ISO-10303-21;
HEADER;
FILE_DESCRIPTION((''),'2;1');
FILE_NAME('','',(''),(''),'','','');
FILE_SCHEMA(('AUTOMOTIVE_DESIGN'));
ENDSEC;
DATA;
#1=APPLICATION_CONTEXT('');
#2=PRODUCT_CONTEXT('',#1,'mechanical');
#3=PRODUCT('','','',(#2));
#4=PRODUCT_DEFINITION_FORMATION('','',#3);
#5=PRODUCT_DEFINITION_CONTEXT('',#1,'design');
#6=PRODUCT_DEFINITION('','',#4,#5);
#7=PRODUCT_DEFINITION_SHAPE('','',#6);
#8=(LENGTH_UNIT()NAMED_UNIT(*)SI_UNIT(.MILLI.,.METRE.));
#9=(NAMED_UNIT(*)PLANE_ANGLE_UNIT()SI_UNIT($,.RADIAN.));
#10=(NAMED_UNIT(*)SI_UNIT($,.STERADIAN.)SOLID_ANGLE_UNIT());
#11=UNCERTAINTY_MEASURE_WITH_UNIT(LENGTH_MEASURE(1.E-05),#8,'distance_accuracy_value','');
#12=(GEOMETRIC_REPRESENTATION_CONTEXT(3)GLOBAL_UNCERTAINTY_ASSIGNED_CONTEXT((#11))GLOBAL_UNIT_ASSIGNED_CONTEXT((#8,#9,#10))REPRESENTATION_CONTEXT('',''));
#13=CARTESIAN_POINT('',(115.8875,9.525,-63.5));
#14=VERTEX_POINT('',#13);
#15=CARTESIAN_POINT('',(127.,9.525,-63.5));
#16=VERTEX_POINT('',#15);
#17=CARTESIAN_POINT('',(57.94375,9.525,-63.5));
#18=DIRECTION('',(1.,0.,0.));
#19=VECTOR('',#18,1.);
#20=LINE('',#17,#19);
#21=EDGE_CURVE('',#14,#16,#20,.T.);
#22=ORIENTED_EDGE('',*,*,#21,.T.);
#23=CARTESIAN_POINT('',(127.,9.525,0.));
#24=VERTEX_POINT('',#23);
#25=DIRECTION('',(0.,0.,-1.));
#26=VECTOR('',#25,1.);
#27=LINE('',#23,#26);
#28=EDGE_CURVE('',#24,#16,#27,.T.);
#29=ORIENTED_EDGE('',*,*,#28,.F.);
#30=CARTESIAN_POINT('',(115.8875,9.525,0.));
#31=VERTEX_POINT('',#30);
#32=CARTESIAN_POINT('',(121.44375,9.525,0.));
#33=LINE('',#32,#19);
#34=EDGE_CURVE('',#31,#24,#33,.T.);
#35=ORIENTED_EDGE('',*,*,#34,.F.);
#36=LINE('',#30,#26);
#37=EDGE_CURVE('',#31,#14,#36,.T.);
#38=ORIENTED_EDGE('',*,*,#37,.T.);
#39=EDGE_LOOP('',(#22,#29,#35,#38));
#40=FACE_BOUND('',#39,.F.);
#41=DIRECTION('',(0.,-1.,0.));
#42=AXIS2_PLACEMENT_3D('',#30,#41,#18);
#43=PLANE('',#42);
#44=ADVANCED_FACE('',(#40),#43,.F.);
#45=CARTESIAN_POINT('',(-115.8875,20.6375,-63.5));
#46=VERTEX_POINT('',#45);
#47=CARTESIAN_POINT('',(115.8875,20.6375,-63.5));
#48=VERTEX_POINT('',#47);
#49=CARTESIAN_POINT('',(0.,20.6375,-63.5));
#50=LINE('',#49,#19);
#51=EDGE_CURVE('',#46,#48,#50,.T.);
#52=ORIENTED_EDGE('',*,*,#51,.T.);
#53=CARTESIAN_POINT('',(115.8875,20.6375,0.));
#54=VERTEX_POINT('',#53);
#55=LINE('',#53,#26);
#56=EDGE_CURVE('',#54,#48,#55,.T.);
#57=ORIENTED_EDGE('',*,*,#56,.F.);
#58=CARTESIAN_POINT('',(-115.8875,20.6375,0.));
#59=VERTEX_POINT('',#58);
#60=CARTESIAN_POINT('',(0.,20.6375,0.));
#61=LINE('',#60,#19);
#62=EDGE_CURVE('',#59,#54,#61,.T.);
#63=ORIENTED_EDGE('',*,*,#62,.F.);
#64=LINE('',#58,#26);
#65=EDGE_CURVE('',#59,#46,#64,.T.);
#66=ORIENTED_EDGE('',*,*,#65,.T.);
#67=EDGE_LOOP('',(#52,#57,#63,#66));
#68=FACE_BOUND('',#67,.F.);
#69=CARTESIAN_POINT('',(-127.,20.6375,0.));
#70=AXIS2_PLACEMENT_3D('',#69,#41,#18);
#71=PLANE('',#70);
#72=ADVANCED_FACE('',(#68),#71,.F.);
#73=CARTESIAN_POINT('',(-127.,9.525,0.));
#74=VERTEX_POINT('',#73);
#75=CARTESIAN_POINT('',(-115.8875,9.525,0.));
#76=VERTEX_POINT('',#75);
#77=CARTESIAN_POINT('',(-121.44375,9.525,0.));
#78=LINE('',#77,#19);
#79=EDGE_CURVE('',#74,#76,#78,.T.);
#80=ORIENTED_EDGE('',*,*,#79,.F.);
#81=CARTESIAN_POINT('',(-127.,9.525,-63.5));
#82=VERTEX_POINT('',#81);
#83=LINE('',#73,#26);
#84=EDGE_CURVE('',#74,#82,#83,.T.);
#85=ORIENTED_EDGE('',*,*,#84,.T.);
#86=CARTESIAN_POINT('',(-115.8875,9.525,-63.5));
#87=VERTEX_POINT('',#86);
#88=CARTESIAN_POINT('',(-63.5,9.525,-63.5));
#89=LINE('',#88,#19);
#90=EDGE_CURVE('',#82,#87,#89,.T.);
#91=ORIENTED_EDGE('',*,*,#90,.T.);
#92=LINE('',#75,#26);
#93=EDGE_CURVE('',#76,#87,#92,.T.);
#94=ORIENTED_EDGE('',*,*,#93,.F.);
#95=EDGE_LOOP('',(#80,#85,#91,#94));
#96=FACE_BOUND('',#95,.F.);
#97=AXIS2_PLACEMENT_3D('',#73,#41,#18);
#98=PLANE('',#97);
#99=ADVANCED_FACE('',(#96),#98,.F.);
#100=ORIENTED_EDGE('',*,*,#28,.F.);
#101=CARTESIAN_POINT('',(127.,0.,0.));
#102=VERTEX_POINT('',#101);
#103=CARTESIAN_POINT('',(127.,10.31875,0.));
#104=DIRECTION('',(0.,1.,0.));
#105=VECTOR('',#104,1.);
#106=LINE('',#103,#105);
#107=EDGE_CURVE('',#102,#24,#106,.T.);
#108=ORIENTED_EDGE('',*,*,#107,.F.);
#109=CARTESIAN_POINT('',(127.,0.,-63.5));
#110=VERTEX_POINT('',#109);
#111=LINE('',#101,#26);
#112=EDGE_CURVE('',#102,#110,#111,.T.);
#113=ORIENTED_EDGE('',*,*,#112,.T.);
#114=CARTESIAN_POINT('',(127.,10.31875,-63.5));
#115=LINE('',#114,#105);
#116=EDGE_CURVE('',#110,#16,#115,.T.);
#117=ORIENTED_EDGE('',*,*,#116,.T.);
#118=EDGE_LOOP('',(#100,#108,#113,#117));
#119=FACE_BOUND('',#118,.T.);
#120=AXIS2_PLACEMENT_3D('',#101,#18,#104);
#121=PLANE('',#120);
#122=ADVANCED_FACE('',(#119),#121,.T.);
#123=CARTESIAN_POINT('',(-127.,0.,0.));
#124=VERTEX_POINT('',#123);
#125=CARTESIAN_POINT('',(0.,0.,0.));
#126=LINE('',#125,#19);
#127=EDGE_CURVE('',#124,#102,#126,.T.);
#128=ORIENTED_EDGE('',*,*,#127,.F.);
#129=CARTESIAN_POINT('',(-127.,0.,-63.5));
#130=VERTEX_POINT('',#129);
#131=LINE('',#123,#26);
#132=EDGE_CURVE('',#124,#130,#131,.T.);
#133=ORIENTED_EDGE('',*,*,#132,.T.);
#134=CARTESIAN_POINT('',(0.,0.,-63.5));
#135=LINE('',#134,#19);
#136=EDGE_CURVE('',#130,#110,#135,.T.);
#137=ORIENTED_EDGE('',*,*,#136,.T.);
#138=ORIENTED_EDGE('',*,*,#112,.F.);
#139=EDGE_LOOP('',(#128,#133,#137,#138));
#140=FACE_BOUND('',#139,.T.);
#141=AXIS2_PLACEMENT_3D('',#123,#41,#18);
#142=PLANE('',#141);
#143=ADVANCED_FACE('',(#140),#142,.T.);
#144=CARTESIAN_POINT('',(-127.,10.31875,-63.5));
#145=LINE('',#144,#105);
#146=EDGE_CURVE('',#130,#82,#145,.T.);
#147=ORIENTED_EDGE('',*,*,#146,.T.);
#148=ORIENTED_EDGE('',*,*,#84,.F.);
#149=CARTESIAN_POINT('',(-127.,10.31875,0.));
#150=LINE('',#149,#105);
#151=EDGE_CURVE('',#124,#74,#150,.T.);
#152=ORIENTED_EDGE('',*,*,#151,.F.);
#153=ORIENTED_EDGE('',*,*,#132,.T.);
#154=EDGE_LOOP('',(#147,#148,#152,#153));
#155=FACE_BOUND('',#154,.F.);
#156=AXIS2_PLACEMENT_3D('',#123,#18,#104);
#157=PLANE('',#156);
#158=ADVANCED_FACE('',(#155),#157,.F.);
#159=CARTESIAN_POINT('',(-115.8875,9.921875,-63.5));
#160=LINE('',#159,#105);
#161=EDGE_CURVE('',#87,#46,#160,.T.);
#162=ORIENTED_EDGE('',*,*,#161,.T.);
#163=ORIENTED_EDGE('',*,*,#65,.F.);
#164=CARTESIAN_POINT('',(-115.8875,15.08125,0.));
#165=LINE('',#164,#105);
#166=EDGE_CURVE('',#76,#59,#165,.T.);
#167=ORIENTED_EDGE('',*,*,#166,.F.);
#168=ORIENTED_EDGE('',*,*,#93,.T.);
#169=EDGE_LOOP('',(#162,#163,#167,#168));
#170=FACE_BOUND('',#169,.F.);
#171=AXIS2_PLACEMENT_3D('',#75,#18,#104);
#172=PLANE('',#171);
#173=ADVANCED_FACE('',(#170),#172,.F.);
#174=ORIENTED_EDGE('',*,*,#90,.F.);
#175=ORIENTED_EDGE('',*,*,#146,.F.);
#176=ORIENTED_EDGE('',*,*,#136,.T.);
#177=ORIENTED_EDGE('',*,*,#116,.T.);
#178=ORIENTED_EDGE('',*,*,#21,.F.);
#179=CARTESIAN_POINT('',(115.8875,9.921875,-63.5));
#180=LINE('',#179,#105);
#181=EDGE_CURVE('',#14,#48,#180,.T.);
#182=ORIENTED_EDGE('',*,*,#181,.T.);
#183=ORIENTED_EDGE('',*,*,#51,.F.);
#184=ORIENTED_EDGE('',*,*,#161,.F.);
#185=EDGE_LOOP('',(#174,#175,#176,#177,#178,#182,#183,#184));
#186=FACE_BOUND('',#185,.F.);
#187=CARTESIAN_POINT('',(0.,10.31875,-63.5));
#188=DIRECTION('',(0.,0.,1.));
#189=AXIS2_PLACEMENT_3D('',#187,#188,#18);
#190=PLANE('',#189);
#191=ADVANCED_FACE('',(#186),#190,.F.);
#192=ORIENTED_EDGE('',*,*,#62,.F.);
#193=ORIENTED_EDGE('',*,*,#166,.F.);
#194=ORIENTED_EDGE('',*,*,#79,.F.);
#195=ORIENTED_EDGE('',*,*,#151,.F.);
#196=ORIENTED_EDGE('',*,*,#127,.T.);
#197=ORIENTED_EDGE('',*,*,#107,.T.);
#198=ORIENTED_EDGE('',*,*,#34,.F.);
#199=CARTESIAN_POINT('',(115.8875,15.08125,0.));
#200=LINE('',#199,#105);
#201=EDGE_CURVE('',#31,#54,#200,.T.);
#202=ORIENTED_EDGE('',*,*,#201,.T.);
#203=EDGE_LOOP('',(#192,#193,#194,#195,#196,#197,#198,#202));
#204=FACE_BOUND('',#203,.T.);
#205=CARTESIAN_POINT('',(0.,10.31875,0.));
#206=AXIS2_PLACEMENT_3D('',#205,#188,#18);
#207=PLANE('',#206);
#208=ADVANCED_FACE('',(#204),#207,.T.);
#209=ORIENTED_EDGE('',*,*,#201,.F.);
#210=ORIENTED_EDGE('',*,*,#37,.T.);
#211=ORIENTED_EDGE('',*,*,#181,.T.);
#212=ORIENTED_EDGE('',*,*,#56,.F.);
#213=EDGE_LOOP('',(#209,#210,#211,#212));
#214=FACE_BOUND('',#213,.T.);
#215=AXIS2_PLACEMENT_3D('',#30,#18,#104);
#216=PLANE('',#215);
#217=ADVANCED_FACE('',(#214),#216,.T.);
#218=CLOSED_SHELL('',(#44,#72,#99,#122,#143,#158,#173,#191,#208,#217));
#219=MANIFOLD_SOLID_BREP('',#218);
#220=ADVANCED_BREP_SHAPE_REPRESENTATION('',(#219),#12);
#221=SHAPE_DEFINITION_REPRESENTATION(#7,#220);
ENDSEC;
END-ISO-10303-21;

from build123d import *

# Parameters (mm, degrees)
F0_W     = 254
F0_H     = 20.6375
F1_DEPTH = 63.5
F2_W     = 11.1125
F2_H     = 11.1125
F3_DEPTH = 63.501


with BuildPart() as f1:
    # F0 (on Top) → F1 (new body)
    with BuildSketch(Plane.XY):
        with Locations((0, 10.31875)):
            Rectangle(F0_W, F0_H)
    extrude(amount=-F1_DEPTH)

    # F2 (on face) → F3 (cut, through all)
    with BuildSketch(Plane.XY):
        with Locations((-121.44375, 15.08125)):
            Rectangle(F2_W, F2_H)
        with Locations((121.44375, 15.08125)):
            Rectangle(F2_W, F2_H)
    extrude(amount=-F3_DEPTH, mode=Mode.SUBTRACT)


solid = f1.part
